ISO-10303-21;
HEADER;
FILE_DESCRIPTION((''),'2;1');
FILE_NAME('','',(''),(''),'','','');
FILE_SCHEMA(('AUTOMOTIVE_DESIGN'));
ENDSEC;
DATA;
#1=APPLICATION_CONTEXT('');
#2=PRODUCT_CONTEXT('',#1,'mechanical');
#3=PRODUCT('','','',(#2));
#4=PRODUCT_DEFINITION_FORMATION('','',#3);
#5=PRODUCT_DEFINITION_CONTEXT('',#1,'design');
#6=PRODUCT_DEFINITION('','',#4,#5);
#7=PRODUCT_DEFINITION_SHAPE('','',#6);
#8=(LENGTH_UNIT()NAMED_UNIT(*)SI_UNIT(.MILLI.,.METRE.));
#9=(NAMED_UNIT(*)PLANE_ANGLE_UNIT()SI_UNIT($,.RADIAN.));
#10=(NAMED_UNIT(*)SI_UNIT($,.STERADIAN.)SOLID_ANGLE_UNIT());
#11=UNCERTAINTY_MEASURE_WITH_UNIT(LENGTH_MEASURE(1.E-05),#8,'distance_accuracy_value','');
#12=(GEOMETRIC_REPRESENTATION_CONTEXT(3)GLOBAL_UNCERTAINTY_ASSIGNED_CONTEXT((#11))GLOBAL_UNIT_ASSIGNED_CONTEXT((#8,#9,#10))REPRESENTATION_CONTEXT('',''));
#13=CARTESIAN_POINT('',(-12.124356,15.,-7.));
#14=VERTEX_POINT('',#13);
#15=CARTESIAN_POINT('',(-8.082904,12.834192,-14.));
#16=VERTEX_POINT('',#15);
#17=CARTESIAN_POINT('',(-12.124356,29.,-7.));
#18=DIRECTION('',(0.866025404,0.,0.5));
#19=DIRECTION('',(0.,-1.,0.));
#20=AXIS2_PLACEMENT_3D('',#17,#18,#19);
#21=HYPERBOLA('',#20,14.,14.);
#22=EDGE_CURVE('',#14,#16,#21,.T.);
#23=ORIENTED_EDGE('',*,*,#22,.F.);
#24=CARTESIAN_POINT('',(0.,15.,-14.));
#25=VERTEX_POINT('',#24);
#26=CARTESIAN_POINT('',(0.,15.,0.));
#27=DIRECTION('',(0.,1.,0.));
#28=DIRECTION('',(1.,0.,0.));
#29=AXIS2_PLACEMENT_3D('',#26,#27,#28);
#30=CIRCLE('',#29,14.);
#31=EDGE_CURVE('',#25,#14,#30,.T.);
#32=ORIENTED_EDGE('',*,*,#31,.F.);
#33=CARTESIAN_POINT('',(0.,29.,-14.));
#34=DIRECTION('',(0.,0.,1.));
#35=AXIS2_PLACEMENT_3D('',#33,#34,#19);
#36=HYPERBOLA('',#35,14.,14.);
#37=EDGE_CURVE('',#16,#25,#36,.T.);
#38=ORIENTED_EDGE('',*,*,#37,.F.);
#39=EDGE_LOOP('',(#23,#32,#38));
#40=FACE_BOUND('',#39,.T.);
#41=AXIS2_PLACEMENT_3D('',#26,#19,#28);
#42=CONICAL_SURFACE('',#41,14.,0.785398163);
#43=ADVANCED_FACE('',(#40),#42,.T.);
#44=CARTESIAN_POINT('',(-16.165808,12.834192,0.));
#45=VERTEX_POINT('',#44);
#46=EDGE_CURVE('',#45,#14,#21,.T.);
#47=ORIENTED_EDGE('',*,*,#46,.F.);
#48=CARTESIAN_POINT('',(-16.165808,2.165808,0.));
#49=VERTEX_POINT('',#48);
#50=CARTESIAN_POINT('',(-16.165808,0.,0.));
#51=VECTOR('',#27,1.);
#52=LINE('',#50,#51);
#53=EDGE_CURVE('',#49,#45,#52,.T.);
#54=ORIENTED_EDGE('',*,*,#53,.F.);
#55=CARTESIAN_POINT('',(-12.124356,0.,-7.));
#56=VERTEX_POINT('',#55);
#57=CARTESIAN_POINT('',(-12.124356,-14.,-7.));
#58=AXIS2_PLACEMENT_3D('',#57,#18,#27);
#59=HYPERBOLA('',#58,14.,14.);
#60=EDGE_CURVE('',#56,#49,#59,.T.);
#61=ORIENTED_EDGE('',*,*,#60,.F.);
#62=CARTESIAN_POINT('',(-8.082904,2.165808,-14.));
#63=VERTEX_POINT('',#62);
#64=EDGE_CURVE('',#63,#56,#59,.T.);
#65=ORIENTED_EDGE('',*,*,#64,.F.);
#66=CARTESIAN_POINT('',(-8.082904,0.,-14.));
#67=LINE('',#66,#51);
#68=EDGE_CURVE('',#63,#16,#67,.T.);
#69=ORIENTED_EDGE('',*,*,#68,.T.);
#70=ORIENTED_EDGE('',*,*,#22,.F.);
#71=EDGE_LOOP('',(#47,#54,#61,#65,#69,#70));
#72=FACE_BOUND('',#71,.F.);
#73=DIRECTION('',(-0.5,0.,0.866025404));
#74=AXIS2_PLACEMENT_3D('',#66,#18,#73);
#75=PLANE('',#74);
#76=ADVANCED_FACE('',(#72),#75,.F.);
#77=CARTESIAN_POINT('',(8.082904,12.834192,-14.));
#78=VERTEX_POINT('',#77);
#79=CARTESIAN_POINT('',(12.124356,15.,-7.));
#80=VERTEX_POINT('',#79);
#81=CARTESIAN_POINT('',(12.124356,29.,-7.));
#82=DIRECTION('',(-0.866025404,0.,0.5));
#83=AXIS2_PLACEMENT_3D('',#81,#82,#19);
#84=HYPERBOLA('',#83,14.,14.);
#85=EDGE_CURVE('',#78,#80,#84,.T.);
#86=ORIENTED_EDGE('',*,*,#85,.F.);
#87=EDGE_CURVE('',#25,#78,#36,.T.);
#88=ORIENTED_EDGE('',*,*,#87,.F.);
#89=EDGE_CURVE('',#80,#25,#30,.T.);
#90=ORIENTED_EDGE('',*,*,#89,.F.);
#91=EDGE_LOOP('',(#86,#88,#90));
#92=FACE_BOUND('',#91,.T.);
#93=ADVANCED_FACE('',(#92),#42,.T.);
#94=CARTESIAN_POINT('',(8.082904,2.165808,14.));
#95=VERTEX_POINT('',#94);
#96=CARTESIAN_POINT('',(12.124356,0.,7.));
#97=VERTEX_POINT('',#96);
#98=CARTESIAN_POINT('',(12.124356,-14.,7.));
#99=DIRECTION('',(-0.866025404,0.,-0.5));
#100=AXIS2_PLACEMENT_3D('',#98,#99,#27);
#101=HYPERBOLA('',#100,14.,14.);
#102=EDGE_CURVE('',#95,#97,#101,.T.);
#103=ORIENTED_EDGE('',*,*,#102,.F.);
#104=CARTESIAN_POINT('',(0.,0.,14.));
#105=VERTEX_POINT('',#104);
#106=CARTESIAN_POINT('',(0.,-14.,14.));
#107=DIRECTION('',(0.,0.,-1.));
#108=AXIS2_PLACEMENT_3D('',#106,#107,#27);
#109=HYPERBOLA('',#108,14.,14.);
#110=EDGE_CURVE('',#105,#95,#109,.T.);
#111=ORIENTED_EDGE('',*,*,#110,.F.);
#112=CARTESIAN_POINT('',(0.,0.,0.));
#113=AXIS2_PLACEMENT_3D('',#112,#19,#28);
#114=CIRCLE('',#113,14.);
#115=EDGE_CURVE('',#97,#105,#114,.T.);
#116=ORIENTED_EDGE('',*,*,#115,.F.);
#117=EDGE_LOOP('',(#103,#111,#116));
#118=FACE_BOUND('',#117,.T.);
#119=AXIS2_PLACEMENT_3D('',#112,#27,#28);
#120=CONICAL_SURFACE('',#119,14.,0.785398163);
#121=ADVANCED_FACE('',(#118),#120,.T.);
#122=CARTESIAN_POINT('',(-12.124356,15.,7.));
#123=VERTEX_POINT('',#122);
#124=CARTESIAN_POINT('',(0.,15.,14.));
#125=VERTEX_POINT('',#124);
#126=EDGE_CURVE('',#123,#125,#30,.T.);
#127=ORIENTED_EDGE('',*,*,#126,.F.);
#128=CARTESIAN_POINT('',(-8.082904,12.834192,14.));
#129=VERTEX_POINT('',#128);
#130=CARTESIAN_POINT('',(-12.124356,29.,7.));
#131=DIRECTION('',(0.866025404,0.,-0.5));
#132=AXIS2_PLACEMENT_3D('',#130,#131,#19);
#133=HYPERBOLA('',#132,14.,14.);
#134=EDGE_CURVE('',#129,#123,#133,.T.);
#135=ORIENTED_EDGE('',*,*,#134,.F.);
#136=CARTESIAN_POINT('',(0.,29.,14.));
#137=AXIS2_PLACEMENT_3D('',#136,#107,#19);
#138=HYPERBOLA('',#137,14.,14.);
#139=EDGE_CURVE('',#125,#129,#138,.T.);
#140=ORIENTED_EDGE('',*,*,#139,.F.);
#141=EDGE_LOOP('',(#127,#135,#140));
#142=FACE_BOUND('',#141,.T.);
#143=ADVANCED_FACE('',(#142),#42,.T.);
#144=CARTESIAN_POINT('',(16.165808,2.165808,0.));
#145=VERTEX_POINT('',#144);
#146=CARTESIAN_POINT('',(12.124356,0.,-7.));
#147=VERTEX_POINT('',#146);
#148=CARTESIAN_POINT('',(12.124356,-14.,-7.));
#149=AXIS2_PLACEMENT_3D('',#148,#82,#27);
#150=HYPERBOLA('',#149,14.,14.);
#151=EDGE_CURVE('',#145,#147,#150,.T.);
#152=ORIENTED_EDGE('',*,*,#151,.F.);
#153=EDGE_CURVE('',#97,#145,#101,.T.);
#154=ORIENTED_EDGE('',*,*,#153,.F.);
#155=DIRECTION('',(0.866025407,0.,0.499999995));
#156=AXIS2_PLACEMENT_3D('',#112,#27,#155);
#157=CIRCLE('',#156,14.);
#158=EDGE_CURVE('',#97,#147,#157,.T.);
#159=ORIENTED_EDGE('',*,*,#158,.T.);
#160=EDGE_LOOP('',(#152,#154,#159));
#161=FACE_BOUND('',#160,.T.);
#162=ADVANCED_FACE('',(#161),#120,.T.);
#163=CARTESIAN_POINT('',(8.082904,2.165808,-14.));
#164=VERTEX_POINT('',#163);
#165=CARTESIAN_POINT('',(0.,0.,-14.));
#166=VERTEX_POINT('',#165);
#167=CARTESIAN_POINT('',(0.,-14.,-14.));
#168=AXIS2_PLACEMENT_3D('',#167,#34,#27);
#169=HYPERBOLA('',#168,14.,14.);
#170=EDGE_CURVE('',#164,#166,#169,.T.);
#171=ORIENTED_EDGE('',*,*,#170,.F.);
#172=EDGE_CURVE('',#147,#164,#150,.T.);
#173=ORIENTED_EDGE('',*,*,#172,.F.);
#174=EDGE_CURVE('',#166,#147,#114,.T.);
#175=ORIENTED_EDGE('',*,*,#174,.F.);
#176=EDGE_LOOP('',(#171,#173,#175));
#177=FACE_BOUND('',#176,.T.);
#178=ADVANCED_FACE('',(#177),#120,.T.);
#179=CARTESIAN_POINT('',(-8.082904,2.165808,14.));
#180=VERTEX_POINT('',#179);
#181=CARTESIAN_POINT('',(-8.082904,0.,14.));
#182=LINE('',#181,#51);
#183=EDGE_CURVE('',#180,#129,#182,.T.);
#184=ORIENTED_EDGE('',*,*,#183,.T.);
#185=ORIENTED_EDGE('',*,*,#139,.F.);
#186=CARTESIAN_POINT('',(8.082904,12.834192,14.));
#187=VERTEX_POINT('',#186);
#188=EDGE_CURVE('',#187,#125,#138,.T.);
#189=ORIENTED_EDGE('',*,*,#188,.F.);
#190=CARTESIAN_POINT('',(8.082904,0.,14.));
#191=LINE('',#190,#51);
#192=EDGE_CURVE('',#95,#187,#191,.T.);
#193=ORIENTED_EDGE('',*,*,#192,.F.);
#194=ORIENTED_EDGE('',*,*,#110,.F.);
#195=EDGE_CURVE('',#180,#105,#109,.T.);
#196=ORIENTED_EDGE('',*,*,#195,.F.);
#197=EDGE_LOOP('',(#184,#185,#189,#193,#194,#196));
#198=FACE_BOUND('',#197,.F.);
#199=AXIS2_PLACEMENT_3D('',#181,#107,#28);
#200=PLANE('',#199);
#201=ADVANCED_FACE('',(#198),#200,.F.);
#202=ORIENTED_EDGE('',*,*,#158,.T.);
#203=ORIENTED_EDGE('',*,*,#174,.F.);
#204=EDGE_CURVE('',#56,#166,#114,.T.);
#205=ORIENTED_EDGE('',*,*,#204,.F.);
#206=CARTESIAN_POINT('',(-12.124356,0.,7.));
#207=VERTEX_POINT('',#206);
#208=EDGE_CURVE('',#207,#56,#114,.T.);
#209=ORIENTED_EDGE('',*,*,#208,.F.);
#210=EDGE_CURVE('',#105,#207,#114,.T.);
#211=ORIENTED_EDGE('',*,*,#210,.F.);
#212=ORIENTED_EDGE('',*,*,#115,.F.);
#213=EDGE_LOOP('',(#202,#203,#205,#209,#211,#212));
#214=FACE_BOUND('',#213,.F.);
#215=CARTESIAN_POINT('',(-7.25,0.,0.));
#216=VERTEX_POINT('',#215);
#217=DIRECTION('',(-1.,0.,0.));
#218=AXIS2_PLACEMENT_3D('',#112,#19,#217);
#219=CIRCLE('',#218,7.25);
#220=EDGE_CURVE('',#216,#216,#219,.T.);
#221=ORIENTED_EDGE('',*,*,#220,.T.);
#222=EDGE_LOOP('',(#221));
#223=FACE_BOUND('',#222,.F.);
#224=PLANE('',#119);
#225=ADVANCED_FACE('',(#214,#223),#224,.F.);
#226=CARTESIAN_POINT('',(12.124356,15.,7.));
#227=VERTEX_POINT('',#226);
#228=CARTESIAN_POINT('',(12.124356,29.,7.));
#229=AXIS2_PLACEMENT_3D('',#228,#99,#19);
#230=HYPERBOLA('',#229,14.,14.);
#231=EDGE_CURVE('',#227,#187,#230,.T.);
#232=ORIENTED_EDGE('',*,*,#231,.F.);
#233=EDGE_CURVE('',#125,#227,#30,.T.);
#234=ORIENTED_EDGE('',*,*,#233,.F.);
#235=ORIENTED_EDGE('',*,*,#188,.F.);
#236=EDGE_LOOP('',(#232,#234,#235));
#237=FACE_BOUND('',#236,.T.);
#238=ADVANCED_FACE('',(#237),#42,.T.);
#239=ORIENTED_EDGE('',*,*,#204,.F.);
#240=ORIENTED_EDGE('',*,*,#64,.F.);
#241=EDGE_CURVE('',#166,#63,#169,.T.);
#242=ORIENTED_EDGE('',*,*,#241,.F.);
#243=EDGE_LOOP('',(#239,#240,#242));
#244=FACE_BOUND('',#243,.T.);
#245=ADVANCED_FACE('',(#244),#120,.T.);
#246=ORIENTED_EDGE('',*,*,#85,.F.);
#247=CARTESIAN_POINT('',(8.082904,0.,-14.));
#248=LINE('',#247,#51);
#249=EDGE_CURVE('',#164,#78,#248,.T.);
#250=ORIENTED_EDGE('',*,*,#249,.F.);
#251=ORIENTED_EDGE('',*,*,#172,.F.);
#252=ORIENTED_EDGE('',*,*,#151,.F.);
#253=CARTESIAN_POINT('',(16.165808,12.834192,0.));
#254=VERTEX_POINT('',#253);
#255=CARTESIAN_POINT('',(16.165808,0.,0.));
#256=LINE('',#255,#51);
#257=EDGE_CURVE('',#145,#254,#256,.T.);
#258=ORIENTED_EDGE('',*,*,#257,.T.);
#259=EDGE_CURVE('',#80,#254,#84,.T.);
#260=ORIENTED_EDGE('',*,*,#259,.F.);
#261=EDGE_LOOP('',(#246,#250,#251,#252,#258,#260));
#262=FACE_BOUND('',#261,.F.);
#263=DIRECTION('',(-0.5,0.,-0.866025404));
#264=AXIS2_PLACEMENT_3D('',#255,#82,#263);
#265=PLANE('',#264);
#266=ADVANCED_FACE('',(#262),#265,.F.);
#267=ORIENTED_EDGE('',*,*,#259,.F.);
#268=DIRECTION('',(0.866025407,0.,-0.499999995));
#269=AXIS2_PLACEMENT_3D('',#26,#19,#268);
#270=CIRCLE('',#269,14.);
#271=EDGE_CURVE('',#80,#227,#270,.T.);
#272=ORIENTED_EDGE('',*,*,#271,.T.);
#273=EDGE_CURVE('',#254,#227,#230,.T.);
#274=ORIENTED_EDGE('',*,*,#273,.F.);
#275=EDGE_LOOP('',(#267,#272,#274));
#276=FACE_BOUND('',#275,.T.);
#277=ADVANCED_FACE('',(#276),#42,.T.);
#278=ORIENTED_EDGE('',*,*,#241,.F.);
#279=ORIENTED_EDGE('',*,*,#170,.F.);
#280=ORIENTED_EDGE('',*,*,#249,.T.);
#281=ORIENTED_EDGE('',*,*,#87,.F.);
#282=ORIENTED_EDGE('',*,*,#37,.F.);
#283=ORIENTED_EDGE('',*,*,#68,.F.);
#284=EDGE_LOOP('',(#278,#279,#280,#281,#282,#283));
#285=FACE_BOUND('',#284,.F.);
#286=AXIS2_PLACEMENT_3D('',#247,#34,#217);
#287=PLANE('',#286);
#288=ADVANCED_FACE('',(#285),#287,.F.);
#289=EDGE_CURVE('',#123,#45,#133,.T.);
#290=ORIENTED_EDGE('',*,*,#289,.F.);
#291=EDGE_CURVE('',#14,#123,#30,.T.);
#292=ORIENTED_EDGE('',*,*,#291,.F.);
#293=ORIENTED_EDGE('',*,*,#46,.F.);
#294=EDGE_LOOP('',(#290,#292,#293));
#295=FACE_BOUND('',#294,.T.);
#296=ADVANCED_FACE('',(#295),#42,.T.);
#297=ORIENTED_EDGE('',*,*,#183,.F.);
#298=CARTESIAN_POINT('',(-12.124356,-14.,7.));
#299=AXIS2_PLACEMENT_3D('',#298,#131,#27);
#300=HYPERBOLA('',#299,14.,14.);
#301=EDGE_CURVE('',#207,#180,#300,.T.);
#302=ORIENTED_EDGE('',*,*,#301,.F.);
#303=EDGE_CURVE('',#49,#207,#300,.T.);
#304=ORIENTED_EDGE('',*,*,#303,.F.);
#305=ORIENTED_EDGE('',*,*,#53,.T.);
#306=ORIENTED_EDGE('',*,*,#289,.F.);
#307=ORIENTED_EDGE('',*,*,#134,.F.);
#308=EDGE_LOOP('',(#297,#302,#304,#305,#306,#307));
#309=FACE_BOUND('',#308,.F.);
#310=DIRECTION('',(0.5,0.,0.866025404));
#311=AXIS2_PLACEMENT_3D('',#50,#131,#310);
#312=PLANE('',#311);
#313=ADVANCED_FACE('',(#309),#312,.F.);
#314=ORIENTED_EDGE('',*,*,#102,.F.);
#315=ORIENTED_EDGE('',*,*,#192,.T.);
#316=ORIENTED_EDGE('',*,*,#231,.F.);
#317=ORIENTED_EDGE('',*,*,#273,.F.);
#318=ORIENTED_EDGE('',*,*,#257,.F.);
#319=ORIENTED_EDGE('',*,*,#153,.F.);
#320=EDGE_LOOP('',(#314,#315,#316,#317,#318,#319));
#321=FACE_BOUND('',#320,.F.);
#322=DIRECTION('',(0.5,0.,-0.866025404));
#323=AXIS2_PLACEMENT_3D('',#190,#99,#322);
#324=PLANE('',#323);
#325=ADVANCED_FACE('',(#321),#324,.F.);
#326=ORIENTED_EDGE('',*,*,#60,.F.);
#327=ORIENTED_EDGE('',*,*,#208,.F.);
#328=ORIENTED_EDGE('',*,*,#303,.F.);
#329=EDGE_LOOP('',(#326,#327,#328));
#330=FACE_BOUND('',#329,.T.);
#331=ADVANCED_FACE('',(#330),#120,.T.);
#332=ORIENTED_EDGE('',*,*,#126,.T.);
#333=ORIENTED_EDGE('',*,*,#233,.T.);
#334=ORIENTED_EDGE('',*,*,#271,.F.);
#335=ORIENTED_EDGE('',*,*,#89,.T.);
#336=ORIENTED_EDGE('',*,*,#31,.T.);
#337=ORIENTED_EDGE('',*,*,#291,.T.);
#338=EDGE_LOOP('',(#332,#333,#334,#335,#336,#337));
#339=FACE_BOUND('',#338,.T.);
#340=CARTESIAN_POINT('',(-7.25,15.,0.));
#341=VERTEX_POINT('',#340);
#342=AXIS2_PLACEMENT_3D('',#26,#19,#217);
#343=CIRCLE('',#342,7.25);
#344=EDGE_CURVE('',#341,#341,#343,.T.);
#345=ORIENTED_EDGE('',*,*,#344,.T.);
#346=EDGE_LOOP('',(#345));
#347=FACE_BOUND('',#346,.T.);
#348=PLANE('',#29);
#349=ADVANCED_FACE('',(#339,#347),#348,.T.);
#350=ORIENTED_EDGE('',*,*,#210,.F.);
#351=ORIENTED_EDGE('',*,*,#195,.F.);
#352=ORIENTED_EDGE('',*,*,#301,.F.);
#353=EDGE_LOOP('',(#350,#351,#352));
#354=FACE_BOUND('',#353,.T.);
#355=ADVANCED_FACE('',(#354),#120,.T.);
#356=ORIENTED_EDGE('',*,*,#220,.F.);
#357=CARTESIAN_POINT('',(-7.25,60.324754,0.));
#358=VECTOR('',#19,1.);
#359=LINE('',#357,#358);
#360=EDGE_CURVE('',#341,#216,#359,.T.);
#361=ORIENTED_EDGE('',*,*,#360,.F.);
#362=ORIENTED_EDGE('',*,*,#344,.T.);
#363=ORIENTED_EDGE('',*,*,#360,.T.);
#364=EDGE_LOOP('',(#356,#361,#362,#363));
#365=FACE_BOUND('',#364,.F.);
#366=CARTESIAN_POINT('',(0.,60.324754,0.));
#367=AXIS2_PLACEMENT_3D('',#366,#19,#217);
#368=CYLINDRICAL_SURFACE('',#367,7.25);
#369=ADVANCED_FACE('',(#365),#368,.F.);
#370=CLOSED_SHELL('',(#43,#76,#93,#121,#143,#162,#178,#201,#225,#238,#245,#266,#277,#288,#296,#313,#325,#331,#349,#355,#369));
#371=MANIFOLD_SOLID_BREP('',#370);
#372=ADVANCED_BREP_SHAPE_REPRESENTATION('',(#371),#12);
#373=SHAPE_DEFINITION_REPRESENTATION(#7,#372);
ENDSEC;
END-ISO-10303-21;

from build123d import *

# Parameters (mm, degrees)
BOSS_EXTRUDE1_DEPTH     = 15
SKETCH2_OUTSIDE_W       = 73.396
SKETCH2_OUTSIDE_H       = 69.064
SKETCH2_OUTSIDE_R       = 14
CUT_EXTRUDE1_DEPTH      = 15
CUT_EXTRUDE1_DRAFT      = -45
MIRROR1_COPY_1_SKETCH_W = 73.396
MIRROR1_COPY_1_SKETCH_H = 69.064
MIRROR1_COPY_1_SKETCH_R = 14
MIRROR1_COPY_1_DEPTH    = 15
MIRROR1_COPY_1_DRAFT    = -45
M16X1_5_TAPPED_HOLE1_D  = 14.5


with BuildPart() as part:
    # Sketch1 → Boss-Extrude1 (new body)
    with BuildSketch(Plane(origin=(0, 0, 0), x_dir=(1, 0, 0), z_dir=(0, 1, 0))):
        Polygon((16.165807537, 0), (8.082903769, 14), (-8.082903769, 14), (-16.165807537, 0), (-8.082903769, -14), (8.082903769, -14), align=None)
    extrude(amount=BOSS_EXTRUDE1_DEPTH)


with BuildPart() as cut_extrude1_tool:
    # Sketch2 outside → Cut-Extrude1 (with draft: the straight prism first)
    with BuildSketch(Plane(origin=(0, 15, 0), x_dir=(1, 0, 0), z_dir=(0, 1, 0))):
        Rectangle(SKETCH2_OUTSIDE_W, SKETCH2_OUTSIDE_H)
        Circle(SKETCH2_OUTSIDE_R, mode=Mode.SUBTRACT)
    extrude(amount=-CUT_EXTRUDE1_DEPTH)
    # Cut-Extrude1: the draft: its side faces are tilted about the plane it starts from
    cut_extrude1_sides = [cut_extrude1_tool.faces().sort_by_distance(p)[0] for p in [
        (0, 7.5, 34.532),
        (36.698, 7.5, 0),
        (0, 7.5, -34.532),
        (-36.698, 7.5, 0),
        (-14, 7.5, 0),
    ]]
    draft(cut_extrude1_sides, Plane(origin=(0, 15, 0), x_dir=(1, 0, 0), z_dir=(0, 1, 0)), CUT_EXTRUDE1_DRAFT)


with BuildPart() as part_1:
    add(part.part)

    # Cut-Extrude1: cut by cut_extrude1_tool
    add(cut_extrude1_tool.part, mode=Mode.SUBTRACT)


with BuildPart() as mirror1_copy_1_tool:
    # Mirror1 copy 1 sketch → Mirror1 copy 1 (with draft: the straight prism first)
    with BuildSketch(Plane.XZ):
        Rectangle(MIRROR1_COPY_1_SKETCH_W, MIRROR1_COPY_1_SKETCH_H)
        Circle(MIRROR1_COPY_1_SKETCH_R, mode=Mode.SUBTRACT)
    extrude(amount=-MIRROR1_COPY_1_DEPTH)
    # Mirror1 copy 1: the draft: its side faces are tilted about the plane it starts from
    mirror1_copy_1_sides = [mirror1_copy_1_tool.faces().sort_by_distance(p)[0] for p in [
        (0, 7.5, 34.532),
        (36.698, 7.5, 0),
        (0, 7.5, -34.532),
        (-36.698, 7.5, 0),
        (-14, 7.5, 0),
    ]]
    draft(mirror1_copy_1_sides, Plane.XZ, MIRROR1_COPY_1_DRAFT)


with BuildPart() as part_2:
    add(part_1.part)

    # Mirror1 copy 1: cut by mirror1_copy_1_tool
    add(mirror1_copy_1_tool.part, mode=Mode.SUBTRACT)

    # M16x1.5 Tapped Hole1 (through all)
    with Locations(Plane(origin=(0, 15, 0), x_dir=(1, 0, 0), z_dir=(0, 1, 0))):
        with Locations((0, 0)):
            Hole(M16X1_5_TAPPED_HOLE1_D / 2)


solid = part_2.part
